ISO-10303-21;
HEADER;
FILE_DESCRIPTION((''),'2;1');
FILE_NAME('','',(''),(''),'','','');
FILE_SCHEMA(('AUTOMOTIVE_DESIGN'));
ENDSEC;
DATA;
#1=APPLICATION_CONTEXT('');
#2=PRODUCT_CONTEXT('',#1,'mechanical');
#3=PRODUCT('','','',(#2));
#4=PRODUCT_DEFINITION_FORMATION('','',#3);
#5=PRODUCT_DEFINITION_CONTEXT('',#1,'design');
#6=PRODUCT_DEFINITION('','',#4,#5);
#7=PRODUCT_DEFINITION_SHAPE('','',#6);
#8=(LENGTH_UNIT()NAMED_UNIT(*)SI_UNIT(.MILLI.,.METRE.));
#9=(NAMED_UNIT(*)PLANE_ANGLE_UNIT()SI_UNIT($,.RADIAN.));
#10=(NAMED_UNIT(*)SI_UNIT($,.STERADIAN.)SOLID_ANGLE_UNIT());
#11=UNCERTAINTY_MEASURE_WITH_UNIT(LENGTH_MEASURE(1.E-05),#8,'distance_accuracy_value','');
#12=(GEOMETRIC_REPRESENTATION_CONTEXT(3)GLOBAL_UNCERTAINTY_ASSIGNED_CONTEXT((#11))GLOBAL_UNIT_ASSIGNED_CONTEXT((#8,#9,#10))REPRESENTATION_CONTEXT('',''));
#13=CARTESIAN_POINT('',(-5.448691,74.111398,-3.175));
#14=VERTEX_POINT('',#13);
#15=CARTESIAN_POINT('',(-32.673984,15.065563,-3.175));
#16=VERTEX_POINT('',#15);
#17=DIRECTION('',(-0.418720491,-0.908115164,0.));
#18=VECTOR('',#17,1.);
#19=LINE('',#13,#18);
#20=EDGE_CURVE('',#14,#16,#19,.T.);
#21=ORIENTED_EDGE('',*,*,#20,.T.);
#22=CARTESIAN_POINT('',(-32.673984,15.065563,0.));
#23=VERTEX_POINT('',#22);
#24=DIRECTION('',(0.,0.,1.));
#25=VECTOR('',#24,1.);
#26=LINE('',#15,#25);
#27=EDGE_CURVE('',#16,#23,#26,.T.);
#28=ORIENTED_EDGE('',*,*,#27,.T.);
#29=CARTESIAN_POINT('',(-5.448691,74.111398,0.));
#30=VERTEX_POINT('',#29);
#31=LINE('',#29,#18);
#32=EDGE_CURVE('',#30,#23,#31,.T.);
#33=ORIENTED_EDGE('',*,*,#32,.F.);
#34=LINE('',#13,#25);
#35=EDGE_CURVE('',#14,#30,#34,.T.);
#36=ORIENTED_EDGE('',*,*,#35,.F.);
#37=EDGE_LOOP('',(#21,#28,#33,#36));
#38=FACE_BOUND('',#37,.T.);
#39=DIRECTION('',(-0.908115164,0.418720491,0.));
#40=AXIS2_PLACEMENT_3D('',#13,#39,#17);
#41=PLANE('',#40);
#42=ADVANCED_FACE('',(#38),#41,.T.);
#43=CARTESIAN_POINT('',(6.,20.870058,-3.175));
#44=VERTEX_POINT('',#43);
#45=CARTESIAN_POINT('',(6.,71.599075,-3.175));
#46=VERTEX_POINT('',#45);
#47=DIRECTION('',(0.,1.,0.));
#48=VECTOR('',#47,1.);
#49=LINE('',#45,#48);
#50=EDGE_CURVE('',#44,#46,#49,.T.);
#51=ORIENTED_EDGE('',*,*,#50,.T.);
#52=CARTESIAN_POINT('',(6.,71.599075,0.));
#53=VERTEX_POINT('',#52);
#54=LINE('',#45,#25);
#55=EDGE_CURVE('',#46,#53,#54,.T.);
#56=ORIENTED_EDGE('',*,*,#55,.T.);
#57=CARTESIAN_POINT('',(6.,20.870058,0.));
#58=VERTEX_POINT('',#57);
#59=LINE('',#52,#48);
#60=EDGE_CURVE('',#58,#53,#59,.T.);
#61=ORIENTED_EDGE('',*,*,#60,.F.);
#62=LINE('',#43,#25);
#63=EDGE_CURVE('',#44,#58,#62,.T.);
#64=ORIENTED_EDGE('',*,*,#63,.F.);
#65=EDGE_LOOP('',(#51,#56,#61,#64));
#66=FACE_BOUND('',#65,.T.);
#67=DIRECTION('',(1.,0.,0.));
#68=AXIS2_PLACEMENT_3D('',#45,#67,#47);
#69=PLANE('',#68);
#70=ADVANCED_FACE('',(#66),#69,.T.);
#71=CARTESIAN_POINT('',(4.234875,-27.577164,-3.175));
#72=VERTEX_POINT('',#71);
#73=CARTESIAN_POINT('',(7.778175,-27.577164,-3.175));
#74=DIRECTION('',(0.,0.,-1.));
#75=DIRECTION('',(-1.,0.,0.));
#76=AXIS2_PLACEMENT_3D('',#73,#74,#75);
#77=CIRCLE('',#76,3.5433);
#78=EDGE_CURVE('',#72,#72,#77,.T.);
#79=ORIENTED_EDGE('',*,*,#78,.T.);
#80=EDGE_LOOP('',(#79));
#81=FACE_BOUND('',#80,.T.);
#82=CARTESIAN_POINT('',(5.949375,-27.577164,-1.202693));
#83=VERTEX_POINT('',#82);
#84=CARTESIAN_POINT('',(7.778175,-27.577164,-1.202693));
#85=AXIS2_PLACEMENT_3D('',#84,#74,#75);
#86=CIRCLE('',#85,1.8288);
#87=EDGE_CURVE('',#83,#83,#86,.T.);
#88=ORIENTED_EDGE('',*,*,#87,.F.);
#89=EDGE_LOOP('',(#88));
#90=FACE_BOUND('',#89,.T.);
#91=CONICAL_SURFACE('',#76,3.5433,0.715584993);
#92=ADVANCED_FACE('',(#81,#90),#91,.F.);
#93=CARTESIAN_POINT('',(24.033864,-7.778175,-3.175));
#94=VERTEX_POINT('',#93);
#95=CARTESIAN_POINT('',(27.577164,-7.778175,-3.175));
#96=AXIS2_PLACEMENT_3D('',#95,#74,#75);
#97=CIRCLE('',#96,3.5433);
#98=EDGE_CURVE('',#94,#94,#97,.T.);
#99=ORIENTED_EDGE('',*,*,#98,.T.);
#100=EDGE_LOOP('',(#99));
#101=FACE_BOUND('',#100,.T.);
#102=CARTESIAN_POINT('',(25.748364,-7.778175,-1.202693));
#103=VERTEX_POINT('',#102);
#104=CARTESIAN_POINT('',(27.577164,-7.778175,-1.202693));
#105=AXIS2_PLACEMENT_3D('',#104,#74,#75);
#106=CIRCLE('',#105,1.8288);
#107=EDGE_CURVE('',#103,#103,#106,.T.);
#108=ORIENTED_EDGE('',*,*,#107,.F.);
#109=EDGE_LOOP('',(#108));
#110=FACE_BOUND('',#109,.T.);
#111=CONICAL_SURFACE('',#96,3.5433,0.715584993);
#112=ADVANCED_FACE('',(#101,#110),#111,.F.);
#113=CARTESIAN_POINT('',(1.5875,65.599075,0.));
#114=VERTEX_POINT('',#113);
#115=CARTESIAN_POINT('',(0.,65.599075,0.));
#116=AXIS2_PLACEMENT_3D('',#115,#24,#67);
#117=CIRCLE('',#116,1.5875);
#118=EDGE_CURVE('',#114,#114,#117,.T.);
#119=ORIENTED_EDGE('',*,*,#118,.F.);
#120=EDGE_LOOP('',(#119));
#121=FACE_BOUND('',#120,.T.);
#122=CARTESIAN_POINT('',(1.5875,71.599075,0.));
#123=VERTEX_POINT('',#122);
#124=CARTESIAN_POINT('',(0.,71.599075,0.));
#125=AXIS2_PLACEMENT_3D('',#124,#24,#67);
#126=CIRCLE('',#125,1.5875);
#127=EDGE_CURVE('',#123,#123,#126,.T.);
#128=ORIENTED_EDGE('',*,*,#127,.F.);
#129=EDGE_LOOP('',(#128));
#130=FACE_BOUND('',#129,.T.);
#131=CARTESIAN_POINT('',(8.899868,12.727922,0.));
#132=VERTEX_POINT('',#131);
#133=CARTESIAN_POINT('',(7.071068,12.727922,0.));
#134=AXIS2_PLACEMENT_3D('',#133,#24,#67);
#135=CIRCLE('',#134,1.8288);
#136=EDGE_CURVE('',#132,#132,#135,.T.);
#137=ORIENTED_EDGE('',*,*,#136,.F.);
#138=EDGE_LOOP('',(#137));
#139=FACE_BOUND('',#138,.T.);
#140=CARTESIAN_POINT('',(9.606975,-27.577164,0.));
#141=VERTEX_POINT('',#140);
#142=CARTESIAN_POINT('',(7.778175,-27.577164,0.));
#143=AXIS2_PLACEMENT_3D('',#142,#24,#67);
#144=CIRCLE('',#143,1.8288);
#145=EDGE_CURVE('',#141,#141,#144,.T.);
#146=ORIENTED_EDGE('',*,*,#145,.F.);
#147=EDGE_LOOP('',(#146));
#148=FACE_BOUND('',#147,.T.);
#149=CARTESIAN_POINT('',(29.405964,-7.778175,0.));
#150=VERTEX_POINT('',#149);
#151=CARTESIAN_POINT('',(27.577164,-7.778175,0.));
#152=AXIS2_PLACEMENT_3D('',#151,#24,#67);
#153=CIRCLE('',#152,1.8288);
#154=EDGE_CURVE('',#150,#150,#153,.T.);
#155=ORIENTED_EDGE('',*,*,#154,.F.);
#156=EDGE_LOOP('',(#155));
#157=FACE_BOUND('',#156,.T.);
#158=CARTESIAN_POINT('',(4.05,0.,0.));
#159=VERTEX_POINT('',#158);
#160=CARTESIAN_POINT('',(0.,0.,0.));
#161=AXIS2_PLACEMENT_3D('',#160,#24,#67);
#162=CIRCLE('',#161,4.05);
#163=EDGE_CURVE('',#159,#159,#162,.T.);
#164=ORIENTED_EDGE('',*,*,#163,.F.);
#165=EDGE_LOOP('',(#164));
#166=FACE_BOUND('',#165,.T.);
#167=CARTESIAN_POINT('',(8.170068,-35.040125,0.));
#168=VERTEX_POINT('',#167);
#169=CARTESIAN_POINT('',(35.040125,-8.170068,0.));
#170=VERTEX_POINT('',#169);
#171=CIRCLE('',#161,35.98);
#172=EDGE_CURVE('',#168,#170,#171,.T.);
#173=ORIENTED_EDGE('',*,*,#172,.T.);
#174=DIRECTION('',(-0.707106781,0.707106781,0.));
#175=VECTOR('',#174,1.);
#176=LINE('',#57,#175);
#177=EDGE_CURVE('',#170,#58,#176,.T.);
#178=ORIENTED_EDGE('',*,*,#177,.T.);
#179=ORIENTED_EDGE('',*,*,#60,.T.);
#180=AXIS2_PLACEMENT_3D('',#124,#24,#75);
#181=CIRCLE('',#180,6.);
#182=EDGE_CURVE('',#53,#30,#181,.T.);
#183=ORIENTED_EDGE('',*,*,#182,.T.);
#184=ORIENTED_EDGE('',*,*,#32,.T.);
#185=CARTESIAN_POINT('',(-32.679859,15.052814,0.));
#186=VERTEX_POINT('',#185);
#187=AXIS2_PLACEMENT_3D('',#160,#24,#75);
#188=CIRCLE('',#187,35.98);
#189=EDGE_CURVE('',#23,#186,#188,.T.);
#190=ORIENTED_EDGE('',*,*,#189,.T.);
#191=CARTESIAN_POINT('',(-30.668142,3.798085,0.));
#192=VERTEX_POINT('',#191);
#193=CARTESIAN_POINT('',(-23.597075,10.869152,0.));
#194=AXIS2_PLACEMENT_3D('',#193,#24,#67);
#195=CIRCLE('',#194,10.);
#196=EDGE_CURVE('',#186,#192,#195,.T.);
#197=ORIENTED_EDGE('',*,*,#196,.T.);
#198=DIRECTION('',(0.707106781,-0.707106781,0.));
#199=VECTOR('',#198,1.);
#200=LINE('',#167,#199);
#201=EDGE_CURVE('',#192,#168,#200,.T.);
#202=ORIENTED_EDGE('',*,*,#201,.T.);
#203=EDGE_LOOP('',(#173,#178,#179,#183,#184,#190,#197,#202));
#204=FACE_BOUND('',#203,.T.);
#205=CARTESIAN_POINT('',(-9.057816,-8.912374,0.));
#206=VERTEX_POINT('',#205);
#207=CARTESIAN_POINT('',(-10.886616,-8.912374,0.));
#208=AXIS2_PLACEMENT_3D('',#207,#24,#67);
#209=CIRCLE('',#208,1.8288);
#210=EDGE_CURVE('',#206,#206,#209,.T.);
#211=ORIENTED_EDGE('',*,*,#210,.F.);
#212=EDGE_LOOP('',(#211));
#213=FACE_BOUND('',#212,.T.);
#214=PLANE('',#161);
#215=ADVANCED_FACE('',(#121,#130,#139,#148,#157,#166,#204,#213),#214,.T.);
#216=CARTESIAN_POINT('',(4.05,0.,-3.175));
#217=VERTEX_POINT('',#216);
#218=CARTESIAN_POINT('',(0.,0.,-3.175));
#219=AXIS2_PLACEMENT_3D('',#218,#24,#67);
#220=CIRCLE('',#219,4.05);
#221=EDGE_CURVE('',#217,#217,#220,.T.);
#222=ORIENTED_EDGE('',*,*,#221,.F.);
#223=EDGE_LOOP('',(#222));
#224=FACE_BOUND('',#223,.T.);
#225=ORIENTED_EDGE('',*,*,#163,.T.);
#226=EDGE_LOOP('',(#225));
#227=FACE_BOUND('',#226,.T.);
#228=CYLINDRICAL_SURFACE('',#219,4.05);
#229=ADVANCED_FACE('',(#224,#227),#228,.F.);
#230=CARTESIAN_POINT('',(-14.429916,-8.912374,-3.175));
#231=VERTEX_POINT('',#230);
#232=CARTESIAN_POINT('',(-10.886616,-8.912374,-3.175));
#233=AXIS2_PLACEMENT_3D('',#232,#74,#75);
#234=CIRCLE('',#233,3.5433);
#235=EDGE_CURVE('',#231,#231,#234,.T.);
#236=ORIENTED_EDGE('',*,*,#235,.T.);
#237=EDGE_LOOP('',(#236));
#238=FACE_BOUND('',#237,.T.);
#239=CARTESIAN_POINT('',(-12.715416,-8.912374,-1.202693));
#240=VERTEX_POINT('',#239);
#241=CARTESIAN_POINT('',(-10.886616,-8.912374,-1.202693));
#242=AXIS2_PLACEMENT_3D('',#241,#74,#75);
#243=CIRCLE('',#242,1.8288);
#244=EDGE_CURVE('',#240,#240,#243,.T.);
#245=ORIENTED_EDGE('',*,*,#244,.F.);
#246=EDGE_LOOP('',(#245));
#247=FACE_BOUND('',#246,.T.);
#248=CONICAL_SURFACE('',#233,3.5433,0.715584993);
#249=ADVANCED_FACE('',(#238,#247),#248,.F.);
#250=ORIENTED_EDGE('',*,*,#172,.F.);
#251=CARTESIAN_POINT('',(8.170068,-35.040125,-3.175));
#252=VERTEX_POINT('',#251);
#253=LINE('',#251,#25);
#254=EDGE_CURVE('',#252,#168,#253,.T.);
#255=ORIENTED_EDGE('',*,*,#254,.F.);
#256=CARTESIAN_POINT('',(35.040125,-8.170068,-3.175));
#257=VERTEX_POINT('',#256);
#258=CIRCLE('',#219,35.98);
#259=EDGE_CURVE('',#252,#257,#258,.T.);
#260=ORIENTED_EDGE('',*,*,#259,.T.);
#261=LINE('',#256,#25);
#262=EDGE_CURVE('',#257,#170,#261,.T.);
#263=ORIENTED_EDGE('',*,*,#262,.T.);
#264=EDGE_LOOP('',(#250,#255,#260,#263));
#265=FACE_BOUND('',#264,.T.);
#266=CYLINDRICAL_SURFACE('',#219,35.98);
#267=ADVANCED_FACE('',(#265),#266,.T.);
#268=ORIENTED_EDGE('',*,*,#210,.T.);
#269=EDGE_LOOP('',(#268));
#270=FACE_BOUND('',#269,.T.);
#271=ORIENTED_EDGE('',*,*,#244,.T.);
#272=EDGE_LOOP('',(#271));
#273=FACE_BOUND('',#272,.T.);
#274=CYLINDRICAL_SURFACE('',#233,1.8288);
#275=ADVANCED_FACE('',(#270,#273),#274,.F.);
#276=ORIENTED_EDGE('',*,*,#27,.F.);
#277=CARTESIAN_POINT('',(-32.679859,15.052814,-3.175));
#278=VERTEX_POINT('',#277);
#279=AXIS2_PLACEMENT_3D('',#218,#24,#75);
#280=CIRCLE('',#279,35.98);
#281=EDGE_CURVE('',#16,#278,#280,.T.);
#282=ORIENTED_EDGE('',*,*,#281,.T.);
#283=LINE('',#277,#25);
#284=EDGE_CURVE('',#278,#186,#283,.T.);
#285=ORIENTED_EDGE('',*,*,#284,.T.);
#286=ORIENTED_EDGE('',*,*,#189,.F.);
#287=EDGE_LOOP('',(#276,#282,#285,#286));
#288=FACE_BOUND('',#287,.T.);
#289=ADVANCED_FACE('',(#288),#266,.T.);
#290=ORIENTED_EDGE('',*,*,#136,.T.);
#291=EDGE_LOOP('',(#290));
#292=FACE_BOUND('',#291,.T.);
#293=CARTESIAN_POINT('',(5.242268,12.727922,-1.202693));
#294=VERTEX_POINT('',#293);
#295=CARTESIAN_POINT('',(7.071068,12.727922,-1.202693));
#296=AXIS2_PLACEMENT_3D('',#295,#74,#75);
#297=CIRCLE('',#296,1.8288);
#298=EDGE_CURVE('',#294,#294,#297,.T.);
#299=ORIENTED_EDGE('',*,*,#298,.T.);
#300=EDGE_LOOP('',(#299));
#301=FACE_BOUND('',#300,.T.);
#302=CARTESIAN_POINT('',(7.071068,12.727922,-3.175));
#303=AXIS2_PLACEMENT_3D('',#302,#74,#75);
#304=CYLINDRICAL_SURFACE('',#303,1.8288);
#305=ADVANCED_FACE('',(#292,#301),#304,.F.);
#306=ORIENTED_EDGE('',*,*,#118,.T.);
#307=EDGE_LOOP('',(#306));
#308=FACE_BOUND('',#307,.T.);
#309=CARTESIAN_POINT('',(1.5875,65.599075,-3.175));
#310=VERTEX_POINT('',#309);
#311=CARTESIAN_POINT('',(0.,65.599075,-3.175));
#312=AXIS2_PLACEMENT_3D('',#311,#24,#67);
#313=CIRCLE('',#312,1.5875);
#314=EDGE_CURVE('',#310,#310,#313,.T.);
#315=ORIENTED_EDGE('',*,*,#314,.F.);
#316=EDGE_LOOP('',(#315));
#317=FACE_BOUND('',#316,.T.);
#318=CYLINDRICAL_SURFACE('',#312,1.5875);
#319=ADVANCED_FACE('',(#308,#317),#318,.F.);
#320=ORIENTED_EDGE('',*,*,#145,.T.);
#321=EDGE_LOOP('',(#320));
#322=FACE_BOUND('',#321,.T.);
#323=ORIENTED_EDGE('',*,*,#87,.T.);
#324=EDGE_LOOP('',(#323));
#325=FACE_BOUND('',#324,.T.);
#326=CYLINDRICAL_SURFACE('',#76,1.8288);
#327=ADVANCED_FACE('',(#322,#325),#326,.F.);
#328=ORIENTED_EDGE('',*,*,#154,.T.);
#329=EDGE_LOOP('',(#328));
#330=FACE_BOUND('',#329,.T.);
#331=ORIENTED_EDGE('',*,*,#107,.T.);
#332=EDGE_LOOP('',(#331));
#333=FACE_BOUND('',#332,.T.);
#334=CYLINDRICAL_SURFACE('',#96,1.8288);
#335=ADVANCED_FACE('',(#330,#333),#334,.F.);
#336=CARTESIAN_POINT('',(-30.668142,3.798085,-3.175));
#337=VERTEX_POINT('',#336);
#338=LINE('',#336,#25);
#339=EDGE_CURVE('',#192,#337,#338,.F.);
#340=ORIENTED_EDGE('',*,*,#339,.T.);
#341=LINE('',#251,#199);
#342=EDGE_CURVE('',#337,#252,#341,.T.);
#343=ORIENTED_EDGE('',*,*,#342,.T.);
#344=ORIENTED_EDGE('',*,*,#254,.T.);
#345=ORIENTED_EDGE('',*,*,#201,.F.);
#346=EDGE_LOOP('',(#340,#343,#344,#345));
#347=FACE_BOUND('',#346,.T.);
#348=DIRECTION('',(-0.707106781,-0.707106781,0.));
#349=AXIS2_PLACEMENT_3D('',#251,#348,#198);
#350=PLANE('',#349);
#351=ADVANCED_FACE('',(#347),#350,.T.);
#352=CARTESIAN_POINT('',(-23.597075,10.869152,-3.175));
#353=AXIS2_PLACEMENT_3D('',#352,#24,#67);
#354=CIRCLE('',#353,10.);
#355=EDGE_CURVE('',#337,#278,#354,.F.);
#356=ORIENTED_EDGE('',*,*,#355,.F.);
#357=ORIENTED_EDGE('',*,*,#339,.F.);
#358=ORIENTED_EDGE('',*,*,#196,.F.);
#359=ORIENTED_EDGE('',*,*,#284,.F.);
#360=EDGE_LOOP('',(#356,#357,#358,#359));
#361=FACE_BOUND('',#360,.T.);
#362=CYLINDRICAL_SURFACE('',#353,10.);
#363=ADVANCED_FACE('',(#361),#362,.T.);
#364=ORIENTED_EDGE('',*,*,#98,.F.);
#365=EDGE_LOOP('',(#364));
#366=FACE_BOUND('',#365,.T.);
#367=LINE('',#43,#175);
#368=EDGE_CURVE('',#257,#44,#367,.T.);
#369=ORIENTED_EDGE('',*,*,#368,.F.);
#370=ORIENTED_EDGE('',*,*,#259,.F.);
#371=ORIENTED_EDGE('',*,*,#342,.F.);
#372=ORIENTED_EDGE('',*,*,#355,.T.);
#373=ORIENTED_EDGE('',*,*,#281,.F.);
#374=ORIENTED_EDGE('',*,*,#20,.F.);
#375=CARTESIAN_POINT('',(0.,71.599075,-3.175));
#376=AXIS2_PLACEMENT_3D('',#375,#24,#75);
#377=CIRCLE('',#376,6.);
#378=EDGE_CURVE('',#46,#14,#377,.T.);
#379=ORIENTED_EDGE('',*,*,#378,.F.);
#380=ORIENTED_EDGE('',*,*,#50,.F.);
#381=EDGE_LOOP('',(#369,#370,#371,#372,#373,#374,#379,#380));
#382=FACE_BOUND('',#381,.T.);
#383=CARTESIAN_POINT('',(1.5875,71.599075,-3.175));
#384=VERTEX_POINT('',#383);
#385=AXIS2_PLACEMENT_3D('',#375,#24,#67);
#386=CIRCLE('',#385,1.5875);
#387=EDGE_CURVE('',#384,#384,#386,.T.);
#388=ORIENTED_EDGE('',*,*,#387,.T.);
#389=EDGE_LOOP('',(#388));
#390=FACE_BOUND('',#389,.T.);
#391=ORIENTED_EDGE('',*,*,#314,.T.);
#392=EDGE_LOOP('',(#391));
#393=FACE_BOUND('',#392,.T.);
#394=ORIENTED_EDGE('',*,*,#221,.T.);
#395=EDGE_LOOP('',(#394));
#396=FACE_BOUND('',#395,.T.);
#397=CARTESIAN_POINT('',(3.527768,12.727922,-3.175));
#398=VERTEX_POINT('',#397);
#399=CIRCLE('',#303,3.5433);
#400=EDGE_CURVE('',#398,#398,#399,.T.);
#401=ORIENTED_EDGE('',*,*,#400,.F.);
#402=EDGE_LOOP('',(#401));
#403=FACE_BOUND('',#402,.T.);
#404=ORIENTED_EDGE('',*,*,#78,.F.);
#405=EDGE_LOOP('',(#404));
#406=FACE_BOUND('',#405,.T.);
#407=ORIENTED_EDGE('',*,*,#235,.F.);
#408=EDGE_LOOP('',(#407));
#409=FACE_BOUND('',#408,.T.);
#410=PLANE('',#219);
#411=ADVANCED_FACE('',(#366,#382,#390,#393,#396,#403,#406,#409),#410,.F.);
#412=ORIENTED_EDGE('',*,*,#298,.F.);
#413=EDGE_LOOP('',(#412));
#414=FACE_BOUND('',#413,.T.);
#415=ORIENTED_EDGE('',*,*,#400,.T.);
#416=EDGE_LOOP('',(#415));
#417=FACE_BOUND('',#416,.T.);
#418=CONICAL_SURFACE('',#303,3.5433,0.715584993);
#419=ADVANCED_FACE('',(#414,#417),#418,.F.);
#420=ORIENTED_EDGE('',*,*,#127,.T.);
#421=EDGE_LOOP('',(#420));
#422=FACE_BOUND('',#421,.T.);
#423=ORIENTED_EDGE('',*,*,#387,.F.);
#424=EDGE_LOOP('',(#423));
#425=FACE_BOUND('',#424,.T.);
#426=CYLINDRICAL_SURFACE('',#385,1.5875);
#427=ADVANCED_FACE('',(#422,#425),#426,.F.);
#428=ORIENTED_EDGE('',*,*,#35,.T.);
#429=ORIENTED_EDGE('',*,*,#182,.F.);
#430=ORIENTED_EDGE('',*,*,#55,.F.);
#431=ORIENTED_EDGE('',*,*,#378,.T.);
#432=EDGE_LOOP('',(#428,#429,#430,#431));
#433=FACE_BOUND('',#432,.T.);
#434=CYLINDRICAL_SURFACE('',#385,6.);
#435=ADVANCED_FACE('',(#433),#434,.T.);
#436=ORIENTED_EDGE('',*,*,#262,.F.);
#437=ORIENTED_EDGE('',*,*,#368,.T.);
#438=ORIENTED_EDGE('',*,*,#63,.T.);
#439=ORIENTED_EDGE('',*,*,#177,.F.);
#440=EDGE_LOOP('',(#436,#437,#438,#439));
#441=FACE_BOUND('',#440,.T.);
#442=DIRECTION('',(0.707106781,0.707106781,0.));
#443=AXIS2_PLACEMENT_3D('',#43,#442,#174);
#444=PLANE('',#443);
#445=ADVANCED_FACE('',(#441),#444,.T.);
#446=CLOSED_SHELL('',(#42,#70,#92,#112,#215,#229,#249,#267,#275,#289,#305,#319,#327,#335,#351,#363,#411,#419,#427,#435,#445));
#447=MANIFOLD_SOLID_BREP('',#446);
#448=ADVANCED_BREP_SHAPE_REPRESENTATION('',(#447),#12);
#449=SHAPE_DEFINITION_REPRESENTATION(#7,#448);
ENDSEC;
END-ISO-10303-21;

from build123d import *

# Parameters (mm, degrees)
SKETCH2_R                                      = 1.5875
SKETCH2_R_2                                    = 4.05
BOSS_EXTRUDE1_DEPTH                            = 3.175
CSK_FOR_6_FLAT_HEAD_MACHINE_SCREW1_D           = 3.6576
CSK_FOR_6_FLAT_HEAD_MACHINE_SCREW1_DEPTH       = 10.973
CSK_FOR_6_FLAT_HEAD_MACHINE_SCREW1_CSINK_D     = 7.0866
CSK_FOR_6_FLAT_HEAD_MACHINE_SCREW1_CSINK_ANGLE = 82
CSK_FOR_6_FLAT_HEAD_MACHINE_SCREW1_TIP         = 1.0988539
FILLET1_R                                      = 10


with BuildPart() as part:
    # Sketch2 → Boss-Extrude1 (new body)
    with BuildSketch(Plane.XY):
        with BuildLine():
            Line((8.170067778, -35.040125463), (-35.040125463, 8.170067778))
            ThreePointArc((-35.040125463, 8.170067778), (-34.032148119, 11.677897689), (-32.673983585, 15.065563272))
            Line((-32.673983585, 15.065563272), (-5.448690981, 74.111398302))
            ThreePointArc((-5.448690981, 74.111398302), (1.286050954, 77.459627628), (6, 71.599075355))
            Line((6, 71.599075355), (6, 20.870057685))
            Line((6, 20.870057685), (35.040125463, -8.170067778))
            ThreePointArc((35.040125463, -8.170067778), (25.441701987, -25.441701987), (8.170067778, -35.040125463))
        make_face()
        with Locations((0, 71.599075355)):
            Circle(SKETCH2_R, mode=Mode.SUBTRACT)
        with Locations((0, 65.599075355)):
            Circle(SKETCH2_R, mode=Mode.SUBTRACT)
        Circle(SKETCH2_R_2, mode=Mode.SUBTRACT)
    extrude(amount=-BOSS_EXTRUDE1_DEPTH)

    # CSK for #6 Flat Head Machine Screw1
    with Locations(Plane(origin=(0, 0, -3.175), x_dir=(-1, 0, 0), z_dir=(0, 0, -1))):
        with Locations((-7.071067812, 12.727922061), (-27.577164466, -7.778174593), (10.886616003, -8.91237387), (-7.778174593, -27.577164466)):
            CounterSinkHole(CSK_FOR_6_FLAT_HEAD_MACHINE_SCREW1_D / 2, CSK_FOR_6_FLAT_HEAD_MACHINE_SCREW1_CSINK_D / 2, depth=CSK_FOR_6_FLAT_HEAD_MACHINE_SCREW1_DEPTH, counter_sink_angle=CSK_FOR_6_FLAT_HEAD_MACHINE_SCREW1_CSINK_ANGLE)
            with Locations((0, 0, -(CSK_FOR_6_FLAT_HEAD_MACHINE_SCREW1_DEPTH + CSK_FOR_6_FLAT_HEAD_MACHINE_SCREW1_TIP / 2))):  # 118° drill point
                Cone(0, CSK_FOR_6_FLAT_HEAD_MACHINE_SCREW1_D / 2, CSK_FOR_6_FLAT_HEAD_MACHINE_SCREW1_TIP, mode=Mode.SUBTRACT)

    # Fillet1
    fillet1_edges = [part.edges().sort_by_distance(p)[0] for p in [
        (-35.040125463, 8.170067778, -1.5875),
    ]]
    fillet(fillet1_edges, radius=FILLET1_R)


solid = part.part
